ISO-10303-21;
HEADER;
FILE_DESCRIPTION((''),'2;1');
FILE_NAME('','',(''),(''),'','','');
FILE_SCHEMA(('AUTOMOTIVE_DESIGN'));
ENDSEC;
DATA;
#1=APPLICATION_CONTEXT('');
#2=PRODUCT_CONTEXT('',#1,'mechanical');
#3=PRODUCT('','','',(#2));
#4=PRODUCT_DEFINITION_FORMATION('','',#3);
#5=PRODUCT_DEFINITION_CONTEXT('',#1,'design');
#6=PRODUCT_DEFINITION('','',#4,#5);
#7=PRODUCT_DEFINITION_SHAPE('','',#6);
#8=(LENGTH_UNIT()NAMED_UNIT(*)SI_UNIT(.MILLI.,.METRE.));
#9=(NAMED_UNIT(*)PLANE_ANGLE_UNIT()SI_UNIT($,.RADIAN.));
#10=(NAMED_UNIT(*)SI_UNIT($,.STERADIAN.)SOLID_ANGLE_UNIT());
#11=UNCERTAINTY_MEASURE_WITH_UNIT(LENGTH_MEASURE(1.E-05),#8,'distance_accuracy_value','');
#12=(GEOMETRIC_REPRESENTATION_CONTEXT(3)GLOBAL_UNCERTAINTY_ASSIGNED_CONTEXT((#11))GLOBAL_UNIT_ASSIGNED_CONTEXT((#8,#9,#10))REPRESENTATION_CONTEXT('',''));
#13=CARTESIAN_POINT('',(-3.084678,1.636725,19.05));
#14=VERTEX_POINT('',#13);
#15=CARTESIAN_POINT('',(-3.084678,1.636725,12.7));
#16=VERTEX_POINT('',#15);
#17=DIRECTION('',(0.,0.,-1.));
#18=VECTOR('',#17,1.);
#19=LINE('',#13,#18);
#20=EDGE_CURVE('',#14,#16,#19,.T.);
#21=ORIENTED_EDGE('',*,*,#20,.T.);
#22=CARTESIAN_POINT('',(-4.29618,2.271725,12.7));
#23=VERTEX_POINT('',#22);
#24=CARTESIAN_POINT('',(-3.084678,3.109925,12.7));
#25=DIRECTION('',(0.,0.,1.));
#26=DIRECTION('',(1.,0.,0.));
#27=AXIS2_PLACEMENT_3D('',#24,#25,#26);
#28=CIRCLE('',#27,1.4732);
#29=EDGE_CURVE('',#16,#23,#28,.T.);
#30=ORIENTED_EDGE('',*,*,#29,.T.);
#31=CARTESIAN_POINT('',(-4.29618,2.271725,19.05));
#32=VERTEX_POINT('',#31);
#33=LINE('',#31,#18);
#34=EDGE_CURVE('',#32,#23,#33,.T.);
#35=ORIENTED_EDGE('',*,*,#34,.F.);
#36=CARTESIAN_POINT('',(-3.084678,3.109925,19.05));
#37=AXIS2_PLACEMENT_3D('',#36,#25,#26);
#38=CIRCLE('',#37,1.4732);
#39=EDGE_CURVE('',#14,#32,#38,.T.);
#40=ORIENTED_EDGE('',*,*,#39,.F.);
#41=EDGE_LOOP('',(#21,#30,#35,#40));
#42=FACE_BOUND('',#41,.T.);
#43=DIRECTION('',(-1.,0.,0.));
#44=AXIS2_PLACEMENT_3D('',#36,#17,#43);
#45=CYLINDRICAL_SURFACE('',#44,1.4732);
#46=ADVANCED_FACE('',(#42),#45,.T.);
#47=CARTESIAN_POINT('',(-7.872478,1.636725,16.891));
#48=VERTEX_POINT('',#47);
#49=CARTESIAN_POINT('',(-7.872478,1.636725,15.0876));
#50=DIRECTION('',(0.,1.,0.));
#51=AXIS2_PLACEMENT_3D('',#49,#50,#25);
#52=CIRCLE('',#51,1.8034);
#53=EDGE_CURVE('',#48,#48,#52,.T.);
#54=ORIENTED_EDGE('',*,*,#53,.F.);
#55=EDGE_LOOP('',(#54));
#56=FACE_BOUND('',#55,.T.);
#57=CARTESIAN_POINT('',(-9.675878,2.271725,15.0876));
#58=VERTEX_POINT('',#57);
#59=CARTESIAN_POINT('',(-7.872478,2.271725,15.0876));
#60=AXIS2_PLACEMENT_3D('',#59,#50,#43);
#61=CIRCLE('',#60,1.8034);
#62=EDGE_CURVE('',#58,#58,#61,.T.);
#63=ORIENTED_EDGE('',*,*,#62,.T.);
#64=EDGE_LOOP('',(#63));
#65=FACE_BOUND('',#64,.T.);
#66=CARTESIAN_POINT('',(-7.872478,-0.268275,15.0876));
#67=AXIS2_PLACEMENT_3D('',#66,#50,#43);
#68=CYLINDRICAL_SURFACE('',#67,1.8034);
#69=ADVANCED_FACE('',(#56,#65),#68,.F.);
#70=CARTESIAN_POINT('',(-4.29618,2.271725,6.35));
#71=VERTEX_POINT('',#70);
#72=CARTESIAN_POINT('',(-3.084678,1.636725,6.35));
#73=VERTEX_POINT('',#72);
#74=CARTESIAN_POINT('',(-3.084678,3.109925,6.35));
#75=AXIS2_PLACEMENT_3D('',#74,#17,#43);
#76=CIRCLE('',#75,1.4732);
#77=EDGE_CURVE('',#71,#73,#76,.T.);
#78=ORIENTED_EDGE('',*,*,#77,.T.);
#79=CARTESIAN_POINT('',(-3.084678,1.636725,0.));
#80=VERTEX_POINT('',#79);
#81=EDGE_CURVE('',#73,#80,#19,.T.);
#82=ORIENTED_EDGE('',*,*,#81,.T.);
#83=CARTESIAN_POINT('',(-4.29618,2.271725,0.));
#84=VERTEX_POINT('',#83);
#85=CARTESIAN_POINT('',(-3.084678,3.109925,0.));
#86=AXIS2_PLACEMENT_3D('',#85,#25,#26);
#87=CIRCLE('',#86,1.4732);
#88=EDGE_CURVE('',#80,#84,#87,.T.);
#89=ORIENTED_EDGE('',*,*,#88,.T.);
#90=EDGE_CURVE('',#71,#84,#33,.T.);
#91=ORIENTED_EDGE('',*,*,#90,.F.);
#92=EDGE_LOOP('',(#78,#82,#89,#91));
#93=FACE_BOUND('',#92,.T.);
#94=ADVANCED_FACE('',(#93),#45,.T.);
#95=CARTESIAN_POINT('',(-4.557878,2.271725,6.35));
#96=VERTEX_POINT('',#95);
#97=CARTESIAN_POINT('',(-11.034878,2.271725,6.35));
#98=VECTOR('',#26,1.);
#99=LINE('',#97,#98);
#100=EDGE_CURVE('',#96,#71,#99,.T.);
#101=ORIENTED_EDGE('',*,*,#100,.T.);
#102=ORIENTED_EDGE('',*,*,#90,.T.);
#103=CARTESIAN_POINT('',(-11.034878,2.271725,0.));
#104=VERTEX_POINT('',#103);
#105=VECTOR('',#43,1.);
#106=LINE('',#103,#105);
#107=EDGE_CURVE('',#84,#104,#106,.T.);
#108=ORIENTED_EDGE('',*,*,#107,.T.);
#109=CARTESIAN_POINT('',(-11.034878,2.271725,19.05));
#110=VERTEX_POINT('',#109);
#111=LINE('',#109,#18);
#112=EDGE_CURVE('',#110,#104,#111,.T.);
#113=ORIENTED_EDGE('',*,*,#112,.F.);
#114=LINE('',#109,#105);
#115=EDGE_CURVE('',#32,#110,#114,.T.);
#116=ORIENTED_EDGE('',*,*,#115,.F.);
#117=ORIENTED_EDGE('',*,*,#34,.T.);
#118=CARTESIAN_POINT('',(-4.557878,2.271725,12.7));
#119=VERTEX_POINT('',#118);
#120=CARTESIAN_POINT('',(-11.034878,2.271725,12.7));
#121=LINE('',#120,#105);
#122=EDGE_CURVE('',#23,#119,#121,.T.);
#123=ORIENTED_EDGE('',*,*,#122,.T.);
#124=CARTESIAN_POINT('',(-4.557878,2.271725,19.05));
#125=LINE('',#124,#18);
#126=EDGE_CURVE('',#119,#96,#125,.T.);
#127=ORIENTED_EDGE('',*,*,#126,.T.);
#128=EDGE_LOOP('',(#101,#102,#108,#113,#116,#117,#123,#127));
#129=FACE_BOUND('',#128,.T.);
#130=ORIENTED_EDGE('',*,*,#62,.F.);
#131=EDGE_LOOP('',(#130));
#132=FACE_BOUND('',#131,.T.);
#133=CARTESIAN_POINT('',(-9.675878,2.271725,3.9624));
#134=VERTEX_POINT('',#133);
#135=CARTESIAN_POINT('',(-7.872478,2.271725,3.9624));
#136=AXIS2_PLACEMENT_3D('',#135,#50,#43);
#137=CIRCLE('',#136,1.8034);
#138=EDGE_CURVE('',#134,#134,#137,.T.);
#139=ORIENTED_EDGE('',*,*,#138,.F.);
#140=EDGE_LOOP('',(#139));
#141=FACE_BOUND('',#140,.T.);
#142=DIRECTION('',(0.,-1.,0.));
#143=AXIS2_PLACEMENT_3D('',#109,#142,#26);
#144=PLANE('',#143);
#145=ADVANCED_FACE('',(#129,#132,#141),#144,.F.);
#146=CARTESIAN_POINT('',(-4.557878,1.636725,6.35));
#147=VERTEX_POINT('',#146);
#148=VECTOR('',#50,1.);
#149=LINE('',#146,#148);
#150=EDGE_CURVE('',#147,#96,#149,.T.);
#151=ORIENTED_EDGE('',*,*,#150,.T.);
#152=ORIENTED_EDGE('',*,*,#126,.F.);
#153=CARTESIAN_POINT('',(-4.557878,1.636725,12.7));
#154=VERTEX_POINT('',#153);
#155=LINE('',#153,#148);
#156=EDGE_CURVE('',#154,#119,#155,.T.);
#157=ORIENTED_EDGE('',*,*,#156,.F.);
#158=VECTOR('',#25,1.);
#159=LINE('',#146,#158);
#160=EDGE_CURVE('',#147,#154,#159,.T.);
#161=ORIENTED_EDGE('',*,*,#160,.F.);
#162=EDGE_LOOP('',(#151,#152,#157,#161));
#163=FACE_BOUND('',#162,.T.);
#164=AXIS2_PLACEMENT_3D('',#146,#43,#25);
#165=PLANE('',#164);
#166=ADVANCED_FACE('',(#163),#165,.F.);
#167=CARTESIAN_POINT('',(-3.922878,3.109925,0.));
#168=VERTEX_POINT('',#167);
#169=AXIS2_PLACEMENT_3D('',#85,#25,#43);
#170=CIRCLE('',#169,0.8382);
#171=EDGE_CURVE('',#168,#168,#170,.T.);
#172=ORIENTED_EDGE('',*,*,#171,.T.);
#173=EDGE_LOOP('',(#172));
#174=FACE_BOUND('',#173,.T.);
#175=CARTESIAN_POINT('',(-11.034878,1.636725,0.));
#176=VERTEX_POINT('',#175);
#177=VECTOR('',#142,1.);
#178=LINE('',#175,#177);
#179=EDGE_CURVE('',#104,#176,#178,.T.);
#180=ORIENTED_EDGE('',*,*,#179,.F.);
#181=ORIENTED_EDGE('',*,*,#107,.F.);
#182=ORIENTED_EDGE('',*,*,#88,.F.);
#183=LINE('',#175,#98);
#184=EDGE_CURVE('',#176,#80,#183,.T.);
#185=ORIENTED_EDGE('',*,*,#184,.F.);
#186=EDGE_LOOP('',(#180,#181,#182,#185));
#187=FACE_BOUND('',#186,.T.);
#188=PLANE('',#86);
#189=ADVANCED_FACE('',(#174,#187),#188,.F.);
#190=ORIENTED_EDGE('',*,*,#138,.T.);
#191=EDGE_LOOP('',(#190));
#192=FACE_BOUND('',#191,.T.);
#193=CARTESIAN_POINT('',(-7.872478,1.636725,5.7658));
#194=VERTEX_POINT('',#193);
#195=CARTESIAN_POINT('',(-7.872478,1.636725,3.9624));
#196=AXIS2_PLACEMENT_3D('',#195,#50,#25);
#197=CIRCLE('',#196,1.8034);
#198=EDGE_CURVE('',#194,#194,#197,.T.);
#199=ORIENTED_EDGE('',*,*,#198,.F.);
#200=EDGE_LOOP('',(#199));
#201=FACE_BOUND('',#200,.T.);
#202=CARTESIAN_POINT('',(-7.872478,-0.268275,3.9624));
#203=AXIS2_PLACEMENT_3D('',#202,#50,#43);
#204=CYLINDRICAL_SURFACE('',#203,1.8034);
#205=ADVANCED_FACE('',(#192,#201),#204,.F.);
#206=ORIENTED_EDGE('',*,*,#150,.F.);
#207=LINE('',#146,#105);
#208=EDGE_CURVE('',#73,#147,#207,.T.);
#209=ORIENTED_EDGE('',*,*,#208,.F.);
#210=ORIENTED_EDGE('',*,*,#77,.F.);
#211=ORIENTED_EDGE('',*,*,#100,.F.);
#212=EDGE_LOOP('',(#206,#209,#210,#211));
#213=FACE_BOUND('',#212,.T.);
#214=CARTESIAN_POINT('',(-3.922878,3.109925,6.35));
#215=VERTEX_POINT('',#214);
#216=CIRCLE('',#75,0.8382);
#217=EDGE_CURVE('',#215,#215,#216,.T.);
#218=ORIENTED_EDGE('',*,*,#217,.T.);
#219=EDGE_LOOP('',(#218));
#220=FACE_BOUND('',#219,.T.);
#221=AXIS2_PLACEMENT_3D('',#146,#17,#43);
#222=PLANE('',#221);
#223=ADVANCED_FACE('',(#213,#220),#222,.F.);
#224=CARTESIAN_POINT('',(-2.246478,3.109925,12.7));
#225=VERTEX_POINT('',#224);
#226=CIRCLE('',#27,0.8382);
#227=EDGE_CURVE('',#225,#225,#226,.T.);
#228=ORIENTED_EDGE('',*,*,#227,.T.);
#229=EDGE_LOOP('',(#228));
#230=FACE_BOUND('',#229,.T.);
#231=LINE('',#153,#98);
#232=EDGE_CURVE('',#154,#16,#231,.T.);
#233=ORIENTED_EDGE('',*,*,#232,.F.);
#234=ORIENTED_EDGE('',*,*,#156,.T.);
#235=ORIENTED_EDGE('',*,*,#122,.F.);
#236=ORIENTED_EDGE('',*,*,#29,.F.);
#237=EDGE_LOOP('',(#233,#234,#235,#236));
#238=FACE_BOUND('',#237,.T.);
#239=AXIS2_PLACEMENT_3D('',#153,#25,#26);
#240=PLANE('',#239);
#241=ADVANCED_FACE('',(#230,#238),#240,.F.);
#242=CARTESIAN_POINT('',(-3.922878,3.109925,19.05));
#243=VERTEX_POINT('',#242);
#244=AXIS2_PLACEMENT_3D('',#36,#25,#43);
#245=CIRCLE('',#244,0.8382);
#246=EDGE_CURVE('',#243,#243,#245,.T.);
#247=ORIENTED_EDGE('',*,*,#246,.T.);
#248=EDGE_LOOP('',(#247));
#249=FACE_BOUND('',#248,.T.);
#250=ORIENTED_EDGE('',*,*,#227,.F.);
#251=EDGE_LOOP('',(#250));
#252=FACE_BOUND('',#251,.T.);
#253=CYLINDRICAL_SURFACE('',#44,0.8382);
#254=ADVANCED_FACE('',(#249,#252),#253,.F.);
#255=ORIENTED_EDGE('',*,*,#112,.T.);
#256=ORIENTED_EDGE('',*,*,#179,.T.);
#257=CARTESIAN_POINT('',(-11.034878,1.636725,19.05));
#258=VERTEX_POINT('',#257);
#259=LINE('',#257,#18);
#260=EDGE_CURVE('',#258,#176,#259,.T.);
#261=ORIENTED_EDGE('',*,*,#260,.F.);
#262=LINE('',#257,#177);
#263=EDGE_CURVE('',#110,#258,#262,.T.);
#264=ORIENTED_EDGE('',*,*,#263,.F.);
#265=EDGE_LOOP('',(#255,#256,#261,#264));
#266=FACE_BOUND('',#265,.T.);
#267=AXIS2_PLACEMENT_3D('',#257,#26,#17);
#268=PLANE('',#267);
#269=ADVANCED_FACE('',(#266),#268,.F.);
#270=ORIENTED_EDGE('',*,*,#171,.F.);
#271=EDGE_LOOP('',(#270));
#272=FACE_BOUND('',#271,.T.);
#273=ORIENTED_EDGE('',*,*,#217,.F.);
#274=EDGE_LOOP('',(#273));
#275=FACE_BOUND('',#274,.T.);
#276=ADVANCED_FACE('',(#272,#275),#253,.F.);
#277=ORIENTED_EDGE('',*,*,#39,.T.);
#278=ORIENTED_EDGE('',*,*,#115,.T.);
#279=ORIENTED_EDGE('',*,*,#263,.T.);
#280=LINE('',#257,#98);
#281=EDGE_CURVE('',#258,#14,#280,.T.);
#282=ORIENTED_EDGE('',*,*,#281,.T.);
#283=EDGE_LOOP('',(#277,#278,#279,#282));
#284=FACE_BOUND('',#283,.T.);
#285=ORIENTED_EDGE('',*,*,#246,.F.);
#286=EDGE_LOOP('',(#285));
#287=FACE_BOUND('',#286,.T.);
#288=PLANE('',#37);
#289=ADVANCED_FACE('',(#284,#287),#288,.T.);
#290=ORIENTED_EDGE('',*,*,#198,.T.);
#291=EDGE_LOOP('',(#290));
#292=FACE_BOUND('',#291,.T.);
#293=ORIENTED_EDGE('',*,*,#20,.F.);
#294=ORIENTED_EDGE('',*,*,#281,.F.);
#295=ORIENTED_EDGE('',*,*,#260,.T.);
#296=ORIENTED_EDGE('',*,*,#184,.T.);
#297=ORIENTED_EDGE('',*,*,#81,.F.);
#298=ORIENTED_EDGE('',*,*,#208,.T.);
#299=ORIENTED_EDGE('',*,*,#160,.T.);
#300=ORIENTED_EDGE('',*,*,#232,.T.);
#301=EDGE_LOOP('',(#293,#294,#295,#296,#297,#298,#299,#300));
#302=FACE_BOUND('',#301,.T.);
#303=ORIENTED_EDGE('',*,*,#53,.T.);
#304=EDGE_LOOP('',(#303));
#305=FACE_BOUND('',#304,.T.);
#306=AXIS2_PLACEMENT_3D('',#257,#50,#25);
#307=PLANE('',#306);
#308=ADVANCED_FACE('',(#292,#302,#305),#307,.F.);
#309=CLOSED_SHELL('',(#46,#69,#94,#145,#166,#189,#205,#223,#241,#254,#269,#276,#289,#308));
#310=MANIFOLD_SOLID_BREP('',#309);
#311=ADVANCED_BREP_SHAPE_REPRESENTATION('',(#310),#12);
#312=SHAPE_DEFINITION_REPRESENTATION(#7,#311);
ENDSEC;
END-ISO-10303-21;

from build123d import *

# Parameters (mm, degrees)
SKETCH1_R               = 0.8382
BOSS_EXTRUDE1_DEPTH     = 19.05
SKETCH7_R               = 1.8034
CUT_EXTRUDE5_DEPTH      = 2.54
SKETCH8_W               = 2.9464
SKETCH8_H               = 6.35
CUT_EXTRUDE6_DEPTH      = 3.3114
CUT_EXTRUDE6_DEPTH_BACK = 1.635


with BuildPart() as part:
    # Sketch1 → Boss-Extrude1 (new body)
    with BuildSketch(Plane.XY):
        with BuildLine():
            Line((-11.0348776, 1.636724806), (-11.0348776, 2.271724806))
            Line((-11.0348776, 2.271724806), (-4.296180386, 2.271724806))
            ThreePointArc((-4.296180386, 2.271724806), (-2.400761669, 4.41475324), (-3.0846776, 1.636724806))
            Line((-3.0846776, 1.636724806), (-11.0348776, 1.636724806))
        make_face()
        with Locations((-3.0846776, 3.109924806)):
            Circle(SKETCH1_R, mode=Mode.SUBTRACT)
    extrude(amount=BOSS_EXTRUDE1_DEPTH)

    # Sketch7 → Cut-Extrude5 (cut)
    with BuildSketch(Plane(origin=(0, 2.271724806, 0), x_dir=(1, 0, 0), z_dir=(0, 1, 0))):
        with Locations((-7.872478375, -3.9624)):
            Circle(SKETCH7_R)
        with Locations((-7.872478375, -15.0876)):
            Circle(SKETCH7_R)
    extrude(amount=-CUT_EXTRUDE5_DEPTH, mode=Mode.SUBTRACT)

    # Sketch8 → Cut-Extrude6 (cut, two sides)
    with BuildSketch(Plane(origin=(0, 2.271724806, 0), x_dir=(1, 0, 0), z_dir=(0, 1, 0))) as cut_extrude6_sk:
        with Locations((-3.0846776, -9.525)):
            Rectangle(SKETCH8_W, SKETCH8_H)
    extrude(amount=CUT_EXTRUDE6_DEPTH, mode=Mode.SUBTRACT)
    extrude(cut_extrude6_sk.sketch, amount=-CUT_EXTRUDE6_DEPTH_BACK, mode=Mode.SUBTRACT)


solid = part.part
